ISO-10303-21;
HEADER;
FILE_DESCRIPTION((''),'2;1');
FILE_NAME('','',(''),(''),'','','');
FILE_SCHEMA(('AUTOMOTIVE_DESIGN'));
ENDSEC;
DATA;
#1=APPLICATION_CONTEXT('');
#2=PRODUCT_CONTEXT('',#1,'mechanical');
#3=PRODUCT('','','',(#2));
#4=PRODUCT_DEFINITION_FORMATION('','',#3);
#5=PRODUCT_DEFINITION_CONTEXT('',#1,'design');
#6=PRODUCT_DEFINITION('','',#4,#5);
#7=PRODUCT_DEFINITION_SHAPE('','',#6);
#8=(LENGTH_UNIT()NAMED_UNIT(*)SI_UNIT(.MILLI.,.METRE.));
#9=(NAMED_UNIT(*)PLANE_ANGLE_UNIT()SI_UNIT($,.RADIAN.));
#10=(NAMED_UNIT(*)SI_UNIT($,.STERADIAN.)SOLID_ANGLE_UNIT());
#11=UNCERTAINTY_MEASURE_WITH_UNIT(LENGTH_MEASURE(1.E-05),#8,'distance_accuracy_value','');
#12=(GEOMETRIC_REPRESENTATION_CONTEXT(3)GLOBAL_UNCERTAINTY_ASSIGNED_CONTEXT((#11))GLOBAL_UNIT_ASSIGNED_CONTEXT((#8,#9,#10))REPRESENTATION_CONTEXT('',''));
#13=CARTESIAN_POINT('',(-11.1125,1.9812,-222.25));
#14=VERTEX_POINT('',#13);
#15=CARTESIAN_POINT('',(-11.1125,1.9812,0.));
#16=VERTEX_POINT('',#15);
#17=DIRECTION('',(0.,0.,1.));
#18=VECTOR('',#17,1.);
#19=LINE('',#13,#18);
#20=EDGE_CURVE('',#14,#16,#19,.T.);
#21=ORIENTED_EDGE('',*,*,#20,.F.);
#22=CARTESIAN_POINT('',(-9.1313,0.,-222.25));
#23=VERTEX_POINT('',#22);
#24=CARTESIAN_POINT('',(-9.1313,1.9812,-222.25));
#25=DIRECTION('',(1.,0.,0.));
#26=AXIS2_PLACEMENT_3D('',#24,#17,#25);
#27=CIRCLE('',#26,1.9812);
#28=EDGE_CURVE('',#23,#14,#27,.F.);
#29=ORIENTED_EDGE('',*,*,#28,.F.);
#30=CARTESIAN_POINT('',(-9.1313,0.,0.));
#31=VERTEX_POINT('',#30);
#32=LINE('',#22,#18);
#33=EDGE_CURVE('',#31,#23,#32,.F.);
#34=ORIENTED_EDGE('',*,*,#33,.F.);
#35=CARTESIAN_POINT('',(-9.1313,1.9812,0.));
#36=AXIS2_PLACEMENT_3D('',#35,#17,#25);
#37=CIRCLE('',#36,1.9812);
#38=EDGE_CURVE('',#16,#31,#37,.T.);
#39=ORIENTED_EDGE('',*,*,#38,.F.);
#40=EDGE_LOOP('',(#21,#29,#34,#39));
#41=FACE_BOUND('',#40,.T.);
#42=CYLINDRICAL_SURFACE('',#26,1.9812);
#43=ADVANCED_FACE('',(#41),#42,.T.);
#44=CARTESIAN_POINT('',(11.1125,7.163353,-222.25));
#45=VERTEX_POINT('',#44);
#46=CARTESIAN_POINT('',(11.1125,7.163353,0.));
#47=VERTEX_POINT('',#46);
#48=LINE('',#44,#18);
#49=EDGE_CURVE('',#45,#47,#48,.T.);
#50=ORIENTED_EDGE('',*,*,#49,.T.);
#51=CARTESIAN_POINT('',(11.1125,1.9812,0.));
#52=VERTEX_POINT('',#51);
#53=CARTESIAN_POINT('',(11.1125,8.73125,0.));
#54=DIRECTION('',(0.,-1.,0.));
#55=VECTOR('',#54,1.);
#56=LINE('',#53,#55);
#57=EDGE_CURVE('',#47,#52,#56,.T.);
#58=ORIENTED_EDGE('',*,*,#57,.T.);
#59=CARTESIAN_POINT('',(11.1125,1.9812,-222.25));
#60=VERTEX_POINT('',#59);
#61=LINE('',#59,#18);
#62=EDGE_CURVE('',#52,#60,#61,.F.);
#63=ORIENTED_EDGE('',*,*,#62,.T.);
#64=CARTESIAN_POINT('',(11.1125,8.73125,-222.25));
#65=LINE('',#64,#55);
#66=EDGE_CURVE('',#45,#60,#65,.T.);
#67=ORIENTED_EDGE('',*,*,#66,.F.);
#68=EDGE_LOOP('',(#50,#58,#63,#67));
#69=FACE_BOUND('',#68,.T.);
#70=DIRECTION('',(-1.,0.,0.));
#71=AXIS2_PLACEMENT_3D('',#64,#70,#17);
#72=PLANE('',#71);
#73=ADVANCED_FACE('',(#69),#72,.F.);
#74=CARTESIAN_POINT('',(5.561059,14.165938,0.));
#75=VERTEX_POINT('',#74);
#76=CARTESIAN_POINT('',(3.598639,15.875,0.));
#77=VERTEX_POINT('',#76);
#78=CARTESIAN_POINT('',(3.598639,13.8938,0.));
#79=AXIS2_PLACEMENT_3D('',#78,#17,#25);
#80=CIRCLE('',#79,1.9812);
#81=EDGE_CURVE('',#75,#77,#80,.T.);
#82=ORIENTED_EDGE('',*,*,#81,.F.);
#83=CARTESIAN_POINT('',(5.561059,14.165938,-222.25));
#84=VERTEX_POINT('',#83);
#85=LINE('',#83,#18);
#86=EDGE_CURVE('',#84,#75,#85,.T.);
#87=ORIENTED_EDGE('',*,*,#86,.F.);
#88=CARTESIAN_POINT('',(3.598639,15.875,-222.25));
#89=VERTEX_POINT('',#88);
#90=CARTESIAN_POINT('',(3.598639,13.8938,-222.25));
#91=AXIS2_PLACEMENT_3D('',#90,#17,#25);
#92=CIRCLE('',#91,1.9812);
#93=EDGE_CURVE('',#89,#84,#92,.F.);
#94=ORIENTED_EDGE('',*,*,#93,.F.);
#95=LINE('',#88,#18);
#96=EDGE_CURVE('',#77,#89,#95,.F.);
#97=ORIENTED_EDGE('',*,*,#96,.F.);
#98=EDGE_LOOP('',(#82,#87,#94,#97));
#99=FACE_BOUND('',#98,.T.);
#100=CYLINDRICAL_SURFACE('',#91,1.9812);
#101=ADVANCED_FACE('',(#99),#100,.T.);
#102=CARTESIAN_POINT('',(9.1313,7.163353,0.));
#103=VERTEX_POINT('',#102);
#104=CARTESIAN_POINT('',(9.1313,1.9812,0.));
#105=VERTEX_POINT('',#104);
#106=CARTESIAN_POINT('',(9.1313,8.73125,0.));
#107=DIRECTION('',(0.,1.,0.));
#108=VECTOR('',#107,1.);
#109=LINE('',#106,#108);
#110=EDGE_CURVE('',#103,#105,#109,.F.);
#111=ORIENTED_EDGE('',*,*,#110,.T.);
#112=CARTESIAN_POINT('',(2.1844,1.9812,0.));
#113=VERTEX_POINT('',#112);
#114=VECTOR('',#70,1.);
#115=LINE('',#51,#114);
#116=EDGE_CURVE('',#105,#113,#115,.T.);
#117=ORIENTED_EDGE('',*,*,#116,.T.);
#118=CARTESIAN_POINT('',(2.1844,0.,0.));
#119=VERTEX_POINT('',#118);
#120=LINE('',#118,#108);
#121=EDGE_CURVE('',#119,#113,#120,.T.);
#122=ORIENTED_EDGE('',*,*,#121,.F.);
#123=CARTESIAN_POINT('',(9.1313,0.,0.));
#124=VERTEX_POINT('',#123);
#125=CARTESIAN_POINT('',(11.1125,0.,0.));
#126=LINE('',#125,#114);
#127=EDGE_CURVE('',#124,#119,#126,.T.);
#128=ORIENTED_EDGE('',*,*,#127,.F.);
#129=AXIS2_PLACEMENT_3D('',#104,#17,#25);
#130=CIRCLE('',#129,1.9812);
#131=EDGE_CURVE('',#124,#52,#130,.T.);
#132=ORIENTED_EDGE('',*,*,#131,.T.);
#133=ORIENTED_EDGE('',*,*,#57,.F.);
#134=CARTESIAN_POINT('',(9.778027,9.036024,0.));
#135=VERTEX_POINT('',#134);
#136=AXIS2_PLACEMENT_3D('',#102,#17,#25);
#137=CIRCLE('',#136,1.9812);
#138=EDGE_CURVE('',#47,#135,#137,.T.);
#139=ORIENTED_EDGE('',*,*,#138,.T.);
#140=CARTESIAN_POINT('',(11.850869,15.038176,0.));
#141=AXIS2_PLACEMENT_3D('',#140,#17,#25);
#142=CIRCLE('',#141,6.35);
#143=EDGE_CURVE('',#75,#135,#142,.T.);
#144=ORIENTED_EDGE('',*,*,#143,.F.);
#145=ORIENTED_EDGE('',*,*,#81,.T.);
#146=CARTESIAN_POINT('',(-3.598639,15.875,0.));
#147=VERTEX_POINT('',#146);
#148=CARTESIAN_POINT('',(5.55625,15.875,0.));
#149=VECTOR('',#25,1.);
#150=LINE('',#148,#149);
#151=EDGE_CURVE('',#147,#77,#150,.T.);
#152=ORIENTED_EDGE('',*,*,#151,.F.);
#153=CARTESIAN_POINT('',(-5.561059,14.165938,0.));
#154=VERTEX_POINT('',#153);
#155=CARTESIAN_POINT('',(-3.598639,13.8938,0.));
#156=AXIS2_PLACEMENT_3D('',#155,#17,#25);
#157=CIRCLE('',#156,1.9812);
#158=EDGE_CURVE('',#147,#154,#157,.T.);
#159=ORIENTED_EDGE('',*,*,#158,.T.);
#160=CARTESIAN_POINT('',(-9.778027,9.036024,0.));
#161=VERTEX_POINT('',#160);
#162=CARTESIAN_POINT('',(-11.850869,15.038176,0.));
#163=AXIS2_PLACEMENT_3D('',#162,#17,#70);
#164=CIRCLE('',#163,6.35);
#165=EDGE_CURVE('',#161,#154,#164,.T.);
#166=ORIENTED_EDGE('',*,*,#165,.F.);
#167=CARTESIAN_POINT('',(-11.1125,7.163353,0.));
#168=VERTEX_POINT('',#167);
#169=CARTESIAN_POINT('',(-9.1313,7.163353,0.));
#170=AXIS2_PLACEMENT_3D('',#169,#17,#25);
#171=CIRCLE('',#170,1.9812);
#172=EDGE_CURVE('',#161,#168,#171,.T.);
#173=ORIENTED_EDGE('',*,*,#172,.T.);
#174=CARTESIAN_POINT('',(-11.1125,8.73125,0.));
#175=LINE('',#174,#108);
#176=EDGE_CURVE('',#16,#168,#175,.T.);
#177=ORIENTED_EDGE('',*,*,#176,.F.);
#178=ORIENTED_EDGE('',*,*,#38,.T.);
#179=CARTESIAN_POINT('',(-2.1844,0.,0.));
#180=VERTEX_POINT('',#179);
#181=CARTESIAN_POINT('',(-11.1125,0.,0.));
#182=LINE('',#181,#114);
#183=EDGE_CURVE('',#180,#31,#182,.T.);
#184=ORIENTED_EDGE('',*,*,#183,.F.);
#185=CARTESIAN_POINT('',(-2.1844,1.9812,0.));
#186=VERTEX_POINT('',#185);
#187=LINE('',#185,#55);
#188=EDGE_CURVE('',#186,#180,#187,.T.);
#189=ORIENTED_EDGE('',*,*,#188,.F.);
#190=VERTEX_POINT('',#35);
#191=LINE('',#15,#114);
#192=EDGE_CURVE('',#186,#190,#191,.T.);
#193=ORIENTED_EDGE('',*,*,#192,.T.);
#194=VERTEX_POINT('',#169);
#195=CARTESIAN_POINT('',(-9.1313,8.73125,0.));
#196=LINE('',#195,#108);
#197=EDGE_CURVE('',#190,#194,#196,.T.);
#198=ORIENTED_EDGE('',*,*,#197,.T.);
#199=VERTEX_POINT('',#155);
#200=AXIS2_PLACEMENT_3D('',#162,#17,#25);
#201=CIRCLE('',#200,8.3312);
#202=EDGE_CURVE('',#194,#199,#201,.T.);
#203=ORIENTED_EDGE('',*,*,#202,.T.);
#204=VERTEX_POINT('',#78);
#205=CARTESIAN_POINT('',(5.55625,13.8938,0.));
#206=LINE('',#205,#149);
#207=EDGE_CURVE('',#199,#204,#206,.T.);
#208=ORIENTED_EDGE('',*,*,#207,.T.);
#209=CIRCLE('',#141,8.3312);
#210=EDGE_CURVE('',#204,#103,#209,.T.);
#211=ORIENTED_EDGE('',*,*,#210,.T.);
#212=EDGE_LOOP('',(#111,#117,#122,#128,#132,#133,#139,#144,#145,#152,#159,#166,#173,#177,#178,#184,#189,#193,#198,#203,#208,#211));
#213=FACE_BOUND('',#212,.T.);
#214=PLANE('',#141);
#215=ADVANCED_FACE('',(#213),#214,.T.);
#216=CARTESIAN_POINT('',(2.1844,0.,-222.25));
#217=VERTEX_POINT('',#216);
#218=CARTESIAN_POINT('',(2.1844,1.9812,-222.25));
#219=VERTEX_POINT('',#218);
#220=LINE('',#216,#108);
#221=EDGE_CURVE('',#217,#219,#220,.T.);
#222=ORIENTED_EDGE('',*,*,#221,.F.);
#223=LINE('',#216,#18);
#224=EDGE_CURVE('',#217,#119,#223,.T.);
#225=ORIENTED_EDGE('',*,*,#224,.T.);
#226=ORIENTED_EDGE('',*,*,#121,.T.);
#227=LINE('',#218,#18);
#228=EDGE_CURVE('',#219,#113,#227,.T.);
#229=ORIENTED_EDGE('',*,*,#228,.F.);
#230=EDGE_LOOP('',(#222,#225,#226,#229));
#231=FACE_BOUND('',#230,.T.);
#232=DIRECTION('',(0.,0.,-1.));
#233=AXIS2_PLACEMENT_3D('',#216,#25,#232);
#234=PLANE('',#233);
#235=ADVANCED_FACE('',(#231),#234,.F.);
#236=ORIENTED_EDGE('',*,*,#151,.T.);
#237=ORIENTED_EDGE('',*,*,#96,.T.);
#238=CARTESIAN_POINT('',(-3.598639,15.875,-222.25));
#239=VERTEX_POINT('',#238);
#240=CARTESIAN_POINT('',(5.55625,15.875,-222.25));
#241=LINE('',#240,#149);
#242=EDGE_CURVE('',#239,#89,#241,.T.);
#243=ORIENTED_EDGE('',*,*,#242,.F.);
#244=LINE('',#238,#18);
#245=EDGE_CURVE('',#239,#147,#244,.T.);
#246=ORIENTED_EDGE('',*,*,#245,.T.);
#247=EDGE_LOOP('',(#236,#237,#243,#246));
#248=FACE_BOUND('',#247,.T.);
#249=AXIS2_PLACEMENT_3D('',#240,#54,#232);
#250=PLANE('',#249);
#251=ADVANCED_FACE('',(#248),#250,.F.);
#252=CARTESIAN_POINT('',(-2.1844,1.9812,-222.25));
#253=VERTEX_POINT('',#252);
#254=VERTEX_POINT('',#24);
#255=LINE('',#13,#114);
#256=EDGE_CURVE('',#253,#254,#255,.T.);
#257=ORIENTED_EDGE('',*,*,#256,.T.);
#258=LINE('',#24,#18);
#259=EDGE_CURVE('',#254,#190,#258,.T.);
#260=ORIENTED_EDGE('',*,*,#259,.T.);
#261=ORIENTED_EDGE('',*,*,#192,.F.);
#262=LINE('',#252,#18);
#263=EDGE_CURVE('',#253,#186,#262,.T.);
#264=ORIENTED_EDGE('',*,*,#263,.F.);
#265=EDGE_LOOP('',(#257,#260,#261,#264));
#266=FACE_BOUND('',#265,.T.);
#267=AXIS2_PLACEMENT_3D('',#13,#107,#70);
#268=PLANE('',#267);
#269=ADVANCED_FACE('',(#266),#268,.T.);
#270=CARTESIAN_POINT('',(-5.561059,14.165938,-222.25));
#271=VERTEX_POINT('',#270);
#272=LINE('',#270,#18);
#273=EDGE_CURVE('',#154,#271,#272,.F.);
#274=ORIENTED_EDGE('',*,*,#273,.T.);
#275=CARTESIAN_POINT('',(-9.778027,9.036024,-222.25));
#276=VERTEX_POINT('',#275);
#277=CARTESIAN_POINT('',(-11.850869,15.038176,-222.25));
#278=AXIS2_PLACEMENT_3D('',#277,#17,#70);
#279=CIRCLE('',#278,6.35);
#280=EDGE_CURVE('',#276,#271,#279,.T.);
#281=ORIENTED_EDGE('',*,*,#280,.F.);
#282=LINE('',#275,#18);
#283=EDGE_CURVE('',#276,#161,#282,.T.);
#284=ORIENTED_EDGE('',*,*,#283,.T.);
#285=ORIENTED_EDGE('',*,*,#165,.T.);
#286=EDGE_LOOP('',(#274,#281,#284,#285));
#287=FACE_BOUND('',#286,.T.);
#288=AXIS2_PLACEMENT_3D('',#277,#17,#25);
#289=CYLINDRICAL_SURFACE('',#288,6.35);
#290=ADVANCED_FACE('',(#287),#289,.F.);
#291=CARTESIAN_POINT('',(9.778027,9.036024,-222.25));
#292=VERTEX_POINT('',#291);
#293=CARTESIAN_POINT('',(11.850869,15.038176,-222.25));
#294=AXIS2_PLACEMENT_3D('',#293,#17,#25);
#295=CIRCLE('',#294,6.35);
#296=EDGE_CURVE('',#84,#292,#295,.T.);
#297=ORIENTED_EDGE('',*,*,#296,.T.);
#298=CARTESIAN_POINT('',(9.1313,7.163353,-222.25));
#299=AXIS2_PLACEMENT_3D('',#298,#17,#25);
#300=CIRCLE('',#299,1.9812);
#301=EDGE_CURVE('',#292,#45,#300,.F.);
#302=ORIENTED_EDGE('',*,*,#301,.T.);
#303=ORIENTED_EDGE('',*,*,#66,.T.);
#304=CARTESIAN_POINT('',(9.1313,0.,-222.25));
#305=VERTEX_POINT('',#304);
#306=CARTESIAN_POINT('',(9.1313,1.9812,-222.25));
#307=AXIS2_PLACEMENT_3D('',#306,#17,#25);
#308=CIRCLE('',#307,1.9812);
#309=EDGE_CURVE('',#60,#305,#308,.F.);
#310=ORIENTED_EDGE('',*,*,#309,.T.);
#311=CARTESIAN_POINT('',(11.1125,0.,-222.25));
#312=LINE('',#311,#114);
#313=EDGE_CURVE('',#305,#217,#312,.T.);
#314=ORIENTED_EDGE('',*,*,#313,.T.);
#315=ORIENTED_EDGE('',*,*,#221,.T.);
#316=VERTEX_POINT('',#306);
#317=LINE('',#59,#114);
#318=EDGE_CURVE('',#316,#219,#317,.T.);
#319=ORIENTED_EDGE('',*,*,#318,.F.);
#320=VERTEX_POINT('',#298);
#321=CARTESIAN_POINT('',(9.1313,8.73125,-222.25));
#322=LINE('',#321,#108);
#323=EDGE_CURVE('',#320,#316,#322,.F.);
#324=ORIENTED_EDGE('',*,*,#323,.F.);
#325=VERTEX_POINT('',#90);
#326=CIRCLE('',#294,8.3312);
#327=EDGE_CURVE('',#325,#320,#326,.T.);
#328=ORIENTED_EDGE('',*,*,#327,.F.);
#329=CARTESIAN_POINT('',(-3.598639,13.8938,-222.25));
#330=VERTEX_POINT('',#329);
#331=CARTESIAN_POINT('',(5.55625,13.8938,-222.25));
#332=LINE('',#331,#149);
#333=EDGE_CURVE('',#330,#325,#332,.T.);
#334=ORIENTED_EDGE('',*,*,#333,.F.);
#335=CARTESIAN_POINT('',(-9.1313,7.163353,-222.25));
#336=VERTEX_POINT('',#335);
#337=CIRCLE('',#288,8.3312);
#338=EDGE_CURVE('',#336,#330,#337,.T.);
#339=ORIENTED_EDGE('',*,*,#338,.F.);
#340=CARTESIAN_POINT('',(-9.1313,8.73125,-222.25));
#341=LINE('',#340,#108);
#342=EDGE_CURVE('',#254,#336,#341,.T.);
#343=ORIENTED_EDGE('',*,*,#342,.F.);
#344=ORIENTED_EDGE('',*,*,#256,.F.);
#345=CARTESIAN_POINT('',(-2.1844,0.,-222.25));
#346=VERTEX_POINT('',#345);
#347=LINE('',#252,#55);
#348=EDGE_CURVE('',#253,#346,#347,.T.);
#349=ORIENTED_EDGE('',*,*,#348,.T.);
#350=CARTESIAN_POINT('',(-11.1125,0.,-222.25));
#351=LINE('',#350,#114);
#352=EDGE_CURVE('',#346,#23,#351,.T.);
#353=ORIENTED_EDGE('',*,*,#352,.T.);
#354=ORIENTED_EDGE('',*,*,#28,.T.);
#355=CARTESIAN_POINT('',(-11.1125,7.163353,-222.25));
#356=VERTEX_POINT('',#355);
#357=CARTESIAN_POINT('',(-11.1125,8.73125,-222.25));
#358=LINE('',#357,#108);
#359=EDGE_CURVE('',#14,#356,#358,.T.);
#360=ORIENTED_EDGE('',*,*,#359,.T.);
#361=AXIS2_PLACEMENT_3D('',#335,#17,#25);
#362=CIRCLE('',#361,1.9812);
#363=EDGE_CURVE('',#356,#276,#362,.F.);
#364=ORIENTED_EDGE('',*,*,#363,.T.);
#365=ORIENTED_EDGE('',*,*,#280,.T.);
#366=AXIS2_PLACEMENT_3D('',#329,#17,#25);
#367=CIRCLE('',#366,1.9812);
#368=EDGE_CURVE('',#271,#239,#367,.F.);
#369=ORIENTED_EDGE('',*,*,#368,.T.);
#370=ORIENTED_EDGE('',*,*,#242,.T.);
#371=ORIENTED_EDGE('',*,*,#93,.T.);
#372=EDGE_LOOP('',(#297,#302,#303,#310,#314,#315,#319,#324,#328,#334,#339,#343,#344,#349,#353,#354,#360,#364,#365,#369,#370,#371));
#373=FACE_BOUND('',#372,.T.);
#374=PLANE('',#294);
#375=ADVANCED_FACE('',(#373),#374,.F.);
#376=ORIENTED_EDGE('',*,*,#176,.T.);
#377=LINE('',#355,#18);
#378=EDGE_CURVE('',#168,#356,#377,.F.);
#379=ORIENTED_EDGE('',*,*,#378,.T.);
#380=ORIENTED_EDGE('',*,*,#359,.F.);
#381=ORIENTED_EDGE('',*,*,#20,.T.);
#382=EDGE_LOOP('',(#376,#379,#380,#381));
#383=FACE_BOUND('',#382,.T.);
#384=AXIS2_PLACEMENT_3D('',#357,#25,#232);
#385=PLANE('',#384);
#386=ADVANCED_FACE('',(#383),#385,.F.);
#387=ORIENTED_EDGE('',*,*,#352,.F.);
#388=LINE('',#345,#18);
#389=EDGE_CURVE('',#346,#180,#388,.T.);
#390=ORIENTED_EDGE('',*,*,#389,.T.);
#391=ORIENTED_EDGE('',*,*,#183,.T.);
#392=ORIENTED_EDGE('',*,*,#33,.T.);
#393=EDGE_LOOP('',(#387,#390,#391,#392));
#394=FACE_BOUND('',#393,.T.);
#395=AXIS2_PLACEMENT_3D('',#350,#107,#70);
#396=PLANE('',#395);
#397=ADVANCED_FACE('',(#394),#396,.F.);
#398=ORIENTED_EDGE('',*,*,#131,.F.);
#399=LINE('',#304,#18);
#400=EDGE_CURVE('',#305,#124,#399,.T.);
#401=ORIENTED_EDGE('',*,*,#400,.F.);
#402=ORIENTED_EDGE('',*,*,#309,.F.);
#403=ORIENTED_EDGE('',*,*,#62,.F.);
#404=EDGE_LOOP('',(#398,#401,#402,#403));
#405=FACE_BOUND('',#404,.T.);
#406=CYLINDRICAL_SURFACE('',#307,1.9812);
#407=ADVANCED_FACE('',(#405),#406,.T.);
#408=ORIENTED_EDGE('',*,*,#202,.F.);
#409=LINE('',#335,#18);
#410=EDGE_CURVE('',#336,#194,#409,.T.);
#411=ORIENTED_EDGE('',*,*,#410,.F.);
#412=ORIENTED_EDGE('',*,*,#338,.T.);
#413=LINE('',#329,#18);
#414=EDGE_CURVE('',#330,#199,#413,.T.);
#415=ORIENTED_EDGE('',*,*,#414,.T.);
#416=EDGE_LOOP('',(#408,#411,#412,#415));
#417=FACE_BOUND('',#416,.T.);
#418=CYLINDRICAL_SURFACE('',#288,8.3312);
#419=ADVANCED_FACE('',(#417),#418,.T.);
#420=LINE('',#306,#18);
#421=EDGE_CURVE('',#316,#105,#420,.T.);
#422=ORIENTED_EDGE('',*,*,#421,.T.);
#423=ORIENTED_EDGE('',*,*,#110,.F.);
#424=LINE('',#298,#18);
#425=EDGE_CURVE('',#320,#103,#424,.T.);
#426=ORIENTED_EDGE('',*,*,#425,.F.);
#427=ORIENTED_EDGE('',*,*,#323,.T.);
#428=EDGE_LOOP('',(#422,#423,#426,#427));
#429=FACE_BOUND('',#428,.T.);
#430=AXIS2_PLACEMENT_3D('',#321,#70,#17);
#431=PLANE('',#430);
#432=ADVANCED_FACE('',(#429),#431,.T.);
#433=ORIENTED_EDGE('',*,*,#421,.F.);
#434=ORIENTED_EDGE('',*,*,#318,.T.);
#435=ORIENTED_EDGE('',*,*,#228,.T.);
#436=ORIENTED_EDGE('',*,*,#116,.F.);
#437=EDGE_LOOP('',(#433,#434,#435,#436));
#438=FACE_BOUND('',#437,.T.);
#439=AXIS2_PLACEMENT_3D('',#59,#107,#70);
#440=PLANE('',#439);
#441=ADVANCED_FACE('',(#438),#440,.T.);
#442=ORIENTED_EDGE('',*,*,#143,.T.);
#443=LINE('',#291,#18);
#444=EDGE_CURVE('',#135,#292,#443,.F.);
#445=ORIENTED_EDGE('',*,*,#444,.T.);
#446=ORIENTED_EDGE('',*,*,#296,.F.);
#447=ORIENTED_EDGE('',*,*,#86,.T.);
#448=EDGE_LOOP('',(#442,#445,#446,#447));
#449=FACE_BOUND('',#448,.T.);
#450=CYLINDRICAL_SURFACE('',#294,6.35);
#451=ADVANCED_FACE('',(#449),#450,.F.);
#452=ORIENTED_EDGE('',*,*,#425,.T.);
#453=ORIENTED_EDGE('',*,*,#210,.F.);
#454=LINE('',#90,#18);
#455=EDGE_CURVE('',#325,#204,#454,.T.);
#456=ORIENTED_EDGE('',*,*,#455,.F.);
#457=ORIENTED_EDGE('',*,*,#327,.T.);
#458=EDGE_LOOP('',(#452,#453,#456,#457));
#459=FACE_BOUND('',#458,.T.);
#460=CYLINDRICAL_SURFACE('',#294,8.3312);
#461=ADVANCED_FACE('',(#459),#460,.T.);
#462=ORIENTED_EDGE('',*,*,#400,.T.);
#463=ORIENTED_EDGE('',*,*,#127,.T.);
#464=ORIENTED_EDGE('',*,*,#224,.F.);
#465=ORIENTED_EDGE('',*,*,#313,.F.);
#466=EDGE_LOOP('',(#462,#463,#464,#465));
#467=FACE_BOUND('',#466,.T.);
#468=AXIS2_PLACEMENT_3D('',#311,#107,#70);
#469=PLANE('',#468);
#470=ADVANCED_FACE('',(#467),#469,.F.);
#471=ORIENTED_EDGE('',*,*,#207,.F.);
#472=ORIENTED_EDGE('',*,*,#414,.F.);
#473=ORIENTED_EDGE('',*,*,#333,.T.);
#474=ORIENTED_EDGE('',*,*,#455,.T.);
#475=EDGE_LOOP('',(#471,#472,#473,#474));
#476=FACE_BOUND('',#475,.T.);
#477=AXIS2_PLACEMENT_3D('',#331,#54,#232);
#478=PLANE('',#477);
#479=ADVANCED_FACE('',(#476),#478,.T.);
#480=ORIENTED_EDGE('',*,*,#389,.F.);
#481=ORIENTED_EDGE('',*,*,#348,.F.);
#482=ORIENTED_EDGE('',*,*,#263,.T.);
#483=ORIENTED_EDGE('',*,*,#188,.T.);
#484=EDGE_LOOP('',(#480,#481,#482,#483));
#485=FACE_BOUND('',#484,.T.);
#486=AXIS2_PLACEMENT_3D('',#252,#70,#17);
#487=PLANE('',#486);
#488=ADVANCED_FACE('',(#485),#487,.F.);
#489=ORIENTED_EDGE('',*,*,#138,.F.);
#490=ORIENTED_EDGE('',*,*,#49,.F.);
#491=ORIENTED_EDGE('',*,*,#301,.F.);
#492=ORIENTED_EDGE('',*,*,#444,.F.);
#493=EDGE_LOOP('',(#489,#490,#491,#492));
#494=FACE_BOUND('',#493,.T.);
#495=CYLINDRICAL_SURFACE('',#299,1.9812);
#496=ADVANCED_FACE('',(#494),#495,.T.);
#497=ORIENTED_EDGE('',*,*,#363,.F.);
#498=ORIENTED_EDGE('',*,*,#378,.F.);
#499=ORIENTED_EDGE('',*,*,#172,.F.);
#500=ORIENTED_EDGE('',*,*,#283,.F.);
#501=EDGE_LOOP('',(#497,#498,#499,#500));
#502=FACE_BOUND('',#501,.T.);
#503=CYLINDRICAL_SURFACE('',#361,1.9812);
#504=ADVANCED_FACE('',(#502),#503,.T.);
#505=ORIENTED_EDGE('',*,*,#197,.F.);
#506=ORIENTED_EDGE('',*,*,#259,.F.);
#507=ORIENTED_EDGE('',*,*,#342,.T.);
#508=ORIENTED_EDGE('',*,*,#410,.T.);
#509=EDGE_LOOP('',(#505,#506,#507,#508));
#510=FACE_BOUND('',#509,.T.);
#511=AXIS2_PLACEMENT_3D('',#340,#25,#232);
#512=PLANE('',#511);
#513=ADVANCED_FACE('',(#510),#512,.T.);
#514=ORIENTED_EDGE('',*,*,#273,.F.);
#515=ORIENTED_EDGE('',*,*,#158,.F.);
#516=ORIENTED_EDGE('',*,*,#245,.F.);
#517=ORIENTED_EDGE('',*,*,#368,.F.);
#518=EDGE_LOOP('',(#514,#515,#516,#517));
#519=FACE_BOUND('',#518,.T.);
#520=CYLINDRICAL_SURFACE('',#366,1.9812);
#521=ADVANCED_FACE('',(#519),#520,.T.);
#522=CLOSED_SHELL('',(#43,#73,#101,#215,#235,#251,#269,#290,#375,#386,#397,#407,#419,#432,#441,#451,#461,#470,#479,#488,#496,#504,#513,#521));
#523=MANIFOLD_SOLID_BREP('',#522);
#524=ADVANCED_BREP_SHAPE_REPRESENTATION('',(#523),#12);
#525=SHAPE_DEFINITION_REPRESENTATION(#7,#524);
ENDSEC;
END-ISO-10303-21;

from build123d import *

# Parameters (mm, degrees)
EXTRUDE_THIN1_DEPTH = 222.25
FILLET1_R           = 1.9812


with BuildPart() as part:
    # Sketch1 → Extrude-Thin1 (new body)
    with BuildSketch(Plane.XY):
        with BuildLine():
            Line((2.1844, 0), (11.1125, 0))
            Line((11.1125, 0), (11.1125, 8.73125))
            ThreePointArc((11.1125, 8.73125), (6.838482158, 11.13965279), (5.55625, 15.875))
            Line((5.55625, 15.875), (-5.55625, 15.875))
            ThreePointArc((-5.55625, 15.875), (-6.838482158, 11.13965279), (-11.1125, 8.73125))
            Line((-11.1125, 8.73125), (-11.1125, 0))
            Line((-11.1125, 0), (-2.1844, 0))
            Line((-2.1844, 0), (-2.1844, 1.9812))
            Line((-2.1844, 1.9812), (-9.1313, 1.9812))
            Line((-9.1313, 1.9812), (-9.1313, 7.163352557))
            ThreePointArc((-9.1313, 7.163352557), (-5.415045416, 9.747705801), (-3.598638875, 13.8938))
            Line((-3.598638875, 13.8938), (3.598638875, 13.8938))
            ThreePointArc((3.598638875, 13.8938), (5.415045416, 9.747705801), (9.1313, 7.163352557))
            Line((9.1313, 7.163352557), (9.1313, 1.9812))
            Line((9.1313, 1.9812), (2.1844, 1.9812))
            Line((2.1844, 1.9812), (2.1844, 0))
        make_face()
    extrude(amount=-EXTRUDE_THIN1_DEPTH)

    # Fillet1
    fillet1_edges = [part.edges().sort_by_distance(p)[0] for p in [
        (-11.1125, 0, -111.125),
        (-11.1125, 8.73125, -111.125),
        (-5.55625, 15.875, -111.125),
        (5.55625, 15.875, -111.125),
        (11.1125, 8.73125, -111.125),
        (11.1125, 0, -111.125),
    ]]
    fillet(fillet1_edges, radius=FILLET1_R)


solid = part.part
